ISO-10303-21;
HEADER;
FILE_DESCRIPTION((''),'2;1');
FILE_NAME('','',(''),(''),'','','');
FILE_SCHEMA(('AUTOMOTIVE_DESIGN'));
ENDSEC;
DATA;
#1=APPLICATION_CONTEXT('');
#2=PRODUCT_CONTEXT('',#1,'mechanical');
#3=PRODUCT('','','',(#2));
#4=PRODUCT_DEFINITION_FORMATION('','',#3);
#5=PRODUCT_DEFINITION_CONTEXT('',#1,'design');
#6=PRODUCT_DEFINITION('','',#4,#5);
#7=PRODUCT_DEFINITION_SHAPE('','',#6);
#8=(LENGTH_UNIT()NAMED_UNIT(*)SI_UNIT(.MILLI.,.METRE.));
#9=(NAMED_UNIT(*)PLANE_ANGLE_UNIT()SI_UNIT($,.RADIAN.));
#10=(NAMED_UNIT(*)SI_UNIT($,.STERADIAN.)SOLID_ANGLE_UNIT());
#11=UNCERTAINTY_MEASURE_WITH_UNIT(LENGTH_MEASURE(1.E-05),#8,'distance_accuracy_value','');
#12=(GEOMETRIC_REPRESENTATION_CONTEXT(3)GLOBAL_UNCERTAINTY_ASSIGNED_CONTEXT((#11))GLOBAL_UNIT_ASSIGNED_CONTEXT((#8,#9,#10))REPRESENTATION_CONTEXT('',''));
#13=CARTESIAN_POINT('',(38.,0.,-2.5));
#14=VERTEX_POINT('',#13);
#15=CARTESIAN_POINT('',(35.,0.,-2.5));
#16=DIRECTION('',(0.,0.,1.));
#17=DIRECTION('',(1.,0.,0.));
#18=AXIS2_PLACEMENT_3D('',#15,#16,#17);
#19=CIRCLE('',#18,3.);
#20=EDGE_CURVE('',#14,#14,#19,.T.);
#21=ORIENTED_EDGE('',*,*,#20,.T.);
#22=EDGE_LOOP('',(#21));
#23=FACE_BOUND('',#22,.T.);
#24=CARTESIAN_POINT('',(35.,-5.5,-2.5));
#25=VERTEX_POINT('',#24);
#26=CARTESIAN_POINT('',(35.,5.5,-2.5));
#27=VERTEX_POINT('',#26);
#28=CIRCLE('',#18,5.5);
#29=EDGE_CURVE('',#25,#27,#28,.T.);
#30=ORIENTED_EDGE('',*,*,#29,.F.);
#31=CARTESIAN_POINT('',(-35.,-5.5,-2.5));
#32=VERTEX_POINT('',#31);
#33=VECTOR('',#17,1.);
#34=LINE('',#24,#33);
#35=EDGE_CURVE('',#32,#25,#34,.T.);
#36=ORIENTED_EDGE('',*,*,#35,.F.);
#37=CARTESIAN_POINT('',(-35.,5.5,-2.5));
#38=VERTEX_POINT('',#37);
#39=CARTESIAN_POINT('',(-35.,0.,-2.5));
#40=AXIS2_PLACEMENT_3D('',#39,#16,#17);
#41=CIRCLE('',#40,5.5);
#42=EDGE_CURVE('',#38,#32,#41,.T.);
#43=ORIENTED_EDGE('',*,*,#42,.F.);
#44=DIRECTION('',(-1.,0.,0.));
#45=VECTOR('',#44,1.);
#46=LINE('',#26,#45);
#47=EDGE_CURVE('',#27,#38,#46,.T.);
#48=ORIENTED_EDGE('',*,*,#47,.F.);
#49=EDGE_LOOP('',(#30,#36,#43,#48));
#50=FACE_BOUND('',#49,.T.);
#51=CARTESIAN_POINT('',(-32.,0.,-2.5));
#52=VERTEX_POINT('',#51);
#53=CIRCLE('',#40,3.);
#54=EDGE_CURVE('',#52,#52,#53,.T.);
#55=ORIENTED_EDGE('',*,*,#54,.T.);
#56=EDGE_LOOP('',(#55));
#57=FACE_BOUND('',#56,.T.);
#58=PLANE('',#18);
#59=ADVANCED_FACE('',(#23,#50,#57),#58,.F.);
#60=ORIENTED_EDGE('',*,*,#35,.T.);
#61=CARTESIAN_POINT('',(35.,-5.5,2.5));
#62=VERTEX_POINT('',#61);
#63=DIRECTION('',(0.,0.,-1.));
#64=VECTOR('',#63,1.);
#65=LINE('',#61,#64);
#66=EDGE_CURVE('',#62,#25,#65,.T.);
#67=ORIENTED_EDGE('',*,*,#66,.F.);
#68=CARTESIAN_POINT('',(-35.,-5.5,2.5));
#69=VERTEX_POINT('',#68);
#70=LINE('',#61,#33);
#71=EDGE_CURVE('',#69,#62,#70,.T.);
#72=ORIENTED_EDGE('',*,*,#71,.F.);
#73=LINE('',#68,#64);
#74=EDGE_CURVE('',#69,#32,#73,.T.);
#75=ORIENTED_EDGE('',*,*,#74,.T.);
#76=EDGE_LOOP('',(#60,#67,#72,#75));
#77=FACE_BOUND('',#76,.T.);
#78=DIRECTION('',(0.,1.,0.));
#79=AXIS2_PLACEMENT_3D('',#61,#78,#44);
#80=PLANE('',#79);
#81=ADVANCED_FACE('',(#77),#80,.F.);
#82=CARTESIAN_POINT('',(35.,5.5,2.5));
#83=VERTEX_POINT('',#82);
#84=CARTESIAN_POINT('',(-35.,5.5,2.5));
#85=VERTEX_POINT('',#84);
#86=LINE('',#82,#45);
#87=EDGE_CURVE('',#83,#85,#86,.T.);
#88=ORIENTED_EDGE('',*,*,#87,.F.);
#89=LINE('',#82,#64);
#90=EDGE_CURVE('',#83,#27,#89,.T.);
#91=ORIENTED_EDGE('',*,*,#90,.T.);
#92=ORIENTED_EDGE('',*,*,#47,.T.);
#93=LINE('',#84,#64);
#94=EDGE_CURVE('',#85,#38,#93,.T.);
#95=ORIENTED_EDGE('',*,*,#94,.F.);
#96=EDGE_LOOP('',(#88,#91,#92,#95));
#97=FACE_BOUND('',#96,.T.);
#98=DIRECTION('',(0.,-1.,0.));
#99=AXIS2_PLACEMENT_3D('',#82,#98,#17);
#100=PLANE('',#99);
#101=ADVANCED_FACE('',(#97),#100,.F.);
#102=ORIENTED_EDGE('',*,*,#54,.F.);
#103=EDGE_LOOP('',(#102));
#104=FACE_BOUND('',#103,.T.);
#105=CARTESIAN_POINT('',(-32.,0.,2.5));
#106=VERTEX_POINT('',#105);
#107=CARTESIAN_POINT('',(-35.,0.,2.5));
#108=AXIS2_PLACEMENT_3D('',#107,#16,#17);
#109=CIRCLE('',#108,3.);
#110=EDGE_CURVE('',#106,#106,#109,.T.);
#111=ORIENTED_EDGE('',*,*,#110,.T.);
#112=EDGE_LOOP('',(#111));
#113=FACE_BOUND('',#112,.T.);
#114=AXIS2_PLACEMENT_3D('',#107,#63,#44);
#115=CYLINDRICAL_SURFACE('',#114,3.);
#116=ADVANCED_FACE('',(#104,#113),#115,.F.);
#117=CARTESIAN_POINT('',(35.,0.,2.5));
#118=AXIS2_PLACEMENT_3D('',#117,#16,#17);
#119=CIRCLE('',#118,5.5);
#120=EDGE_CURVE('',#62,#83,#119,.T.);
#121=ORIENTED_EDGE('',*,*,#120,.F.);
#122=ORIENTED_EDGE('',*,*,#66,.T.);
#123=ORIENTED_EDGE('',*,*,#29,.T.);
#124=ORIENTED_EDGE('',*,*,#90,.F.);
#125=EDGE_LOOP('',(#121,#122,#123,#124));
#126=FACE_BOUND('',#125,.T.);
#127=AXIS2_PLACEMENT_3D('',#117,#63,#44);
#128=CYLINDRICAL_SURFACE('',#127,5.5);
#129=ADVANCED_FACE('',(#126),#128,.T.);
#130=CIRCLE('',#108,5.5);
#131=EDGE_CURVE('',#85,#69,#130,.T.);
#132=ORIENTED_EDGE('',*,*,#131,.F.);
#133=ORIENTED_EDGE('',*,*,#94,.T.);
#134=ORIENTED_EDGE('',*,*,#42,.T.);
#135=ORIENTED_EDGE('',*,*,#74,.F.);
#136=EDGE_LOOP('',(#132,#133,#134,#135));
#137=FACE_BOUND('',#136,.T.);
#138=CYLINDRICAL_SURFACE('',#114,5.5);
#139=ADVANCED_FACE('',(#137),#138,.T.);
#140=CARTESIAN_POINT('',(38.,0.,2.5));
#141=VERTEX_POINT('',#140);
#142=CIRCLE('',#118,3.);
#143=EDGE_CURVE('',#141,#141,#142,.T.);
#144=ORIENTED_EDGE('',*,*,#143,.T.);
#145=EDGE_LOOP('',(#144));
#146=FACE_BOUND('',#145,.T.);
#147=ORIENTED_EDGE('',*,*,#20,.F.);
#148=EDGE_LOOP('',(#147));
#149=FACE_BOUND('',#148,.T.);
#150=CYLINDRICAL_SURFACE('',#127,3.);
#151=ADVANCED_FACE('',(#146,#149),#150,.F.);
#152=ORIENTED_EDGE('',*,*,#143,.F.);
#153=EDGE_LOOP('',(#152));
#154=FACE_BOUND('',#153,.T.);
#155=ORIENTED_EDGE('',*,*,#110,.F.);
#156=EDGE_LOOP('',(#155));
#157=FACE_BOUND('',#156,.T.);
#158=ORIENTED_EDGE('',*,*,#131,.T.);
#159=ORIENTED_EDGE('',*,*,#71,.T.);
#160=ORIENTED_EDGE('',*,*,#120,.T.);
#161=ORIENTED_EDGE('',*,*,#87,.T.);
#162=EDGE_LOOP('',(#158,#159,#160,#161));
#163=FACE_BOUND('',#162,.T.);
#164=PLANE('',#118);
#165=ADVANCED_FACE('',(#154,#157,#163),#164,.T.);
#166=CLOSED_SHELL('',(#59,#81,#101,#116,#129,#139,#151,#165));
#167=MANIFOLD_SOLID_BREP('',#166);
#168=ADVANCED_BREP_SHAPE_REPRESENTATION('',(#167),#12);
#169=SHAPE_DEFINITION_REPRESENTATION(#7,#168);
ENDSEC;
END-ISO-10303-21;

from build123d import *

# Parameters (mm, degrees)
SKETCH1_R           = 3
BOSS_EXTRUDE1_DEPTH = 2.5


with BuildPart() as part:
    # Sketch1 → Boss-Extrude1 (new body, symmetric)
    with BuildSketch(Plane.XY):
        with BuildLine():
            Line((35, -5.5), (-35, -5.5))
            ThreePointArc((-35, -5.5), (-40.5, 0), (-35, 5.5))
            Line((-35, 5.5), (35, 5.5))
            ThreePointArc((35, 5.5), (40.5, 0), (35, -5.5))
        make_face()
        with Locations((35, 0)):
            Circle(SKETCH1_R, mode=Mode.SUBTRACT)
        with Locations((-35, 0)):
            Circle(SKETCH1_R, mode=Mode.SUBTRACT)
    extrude(amount=BOSS_EXTRUDE1_DEPTH, both=True)


solid = part.part
